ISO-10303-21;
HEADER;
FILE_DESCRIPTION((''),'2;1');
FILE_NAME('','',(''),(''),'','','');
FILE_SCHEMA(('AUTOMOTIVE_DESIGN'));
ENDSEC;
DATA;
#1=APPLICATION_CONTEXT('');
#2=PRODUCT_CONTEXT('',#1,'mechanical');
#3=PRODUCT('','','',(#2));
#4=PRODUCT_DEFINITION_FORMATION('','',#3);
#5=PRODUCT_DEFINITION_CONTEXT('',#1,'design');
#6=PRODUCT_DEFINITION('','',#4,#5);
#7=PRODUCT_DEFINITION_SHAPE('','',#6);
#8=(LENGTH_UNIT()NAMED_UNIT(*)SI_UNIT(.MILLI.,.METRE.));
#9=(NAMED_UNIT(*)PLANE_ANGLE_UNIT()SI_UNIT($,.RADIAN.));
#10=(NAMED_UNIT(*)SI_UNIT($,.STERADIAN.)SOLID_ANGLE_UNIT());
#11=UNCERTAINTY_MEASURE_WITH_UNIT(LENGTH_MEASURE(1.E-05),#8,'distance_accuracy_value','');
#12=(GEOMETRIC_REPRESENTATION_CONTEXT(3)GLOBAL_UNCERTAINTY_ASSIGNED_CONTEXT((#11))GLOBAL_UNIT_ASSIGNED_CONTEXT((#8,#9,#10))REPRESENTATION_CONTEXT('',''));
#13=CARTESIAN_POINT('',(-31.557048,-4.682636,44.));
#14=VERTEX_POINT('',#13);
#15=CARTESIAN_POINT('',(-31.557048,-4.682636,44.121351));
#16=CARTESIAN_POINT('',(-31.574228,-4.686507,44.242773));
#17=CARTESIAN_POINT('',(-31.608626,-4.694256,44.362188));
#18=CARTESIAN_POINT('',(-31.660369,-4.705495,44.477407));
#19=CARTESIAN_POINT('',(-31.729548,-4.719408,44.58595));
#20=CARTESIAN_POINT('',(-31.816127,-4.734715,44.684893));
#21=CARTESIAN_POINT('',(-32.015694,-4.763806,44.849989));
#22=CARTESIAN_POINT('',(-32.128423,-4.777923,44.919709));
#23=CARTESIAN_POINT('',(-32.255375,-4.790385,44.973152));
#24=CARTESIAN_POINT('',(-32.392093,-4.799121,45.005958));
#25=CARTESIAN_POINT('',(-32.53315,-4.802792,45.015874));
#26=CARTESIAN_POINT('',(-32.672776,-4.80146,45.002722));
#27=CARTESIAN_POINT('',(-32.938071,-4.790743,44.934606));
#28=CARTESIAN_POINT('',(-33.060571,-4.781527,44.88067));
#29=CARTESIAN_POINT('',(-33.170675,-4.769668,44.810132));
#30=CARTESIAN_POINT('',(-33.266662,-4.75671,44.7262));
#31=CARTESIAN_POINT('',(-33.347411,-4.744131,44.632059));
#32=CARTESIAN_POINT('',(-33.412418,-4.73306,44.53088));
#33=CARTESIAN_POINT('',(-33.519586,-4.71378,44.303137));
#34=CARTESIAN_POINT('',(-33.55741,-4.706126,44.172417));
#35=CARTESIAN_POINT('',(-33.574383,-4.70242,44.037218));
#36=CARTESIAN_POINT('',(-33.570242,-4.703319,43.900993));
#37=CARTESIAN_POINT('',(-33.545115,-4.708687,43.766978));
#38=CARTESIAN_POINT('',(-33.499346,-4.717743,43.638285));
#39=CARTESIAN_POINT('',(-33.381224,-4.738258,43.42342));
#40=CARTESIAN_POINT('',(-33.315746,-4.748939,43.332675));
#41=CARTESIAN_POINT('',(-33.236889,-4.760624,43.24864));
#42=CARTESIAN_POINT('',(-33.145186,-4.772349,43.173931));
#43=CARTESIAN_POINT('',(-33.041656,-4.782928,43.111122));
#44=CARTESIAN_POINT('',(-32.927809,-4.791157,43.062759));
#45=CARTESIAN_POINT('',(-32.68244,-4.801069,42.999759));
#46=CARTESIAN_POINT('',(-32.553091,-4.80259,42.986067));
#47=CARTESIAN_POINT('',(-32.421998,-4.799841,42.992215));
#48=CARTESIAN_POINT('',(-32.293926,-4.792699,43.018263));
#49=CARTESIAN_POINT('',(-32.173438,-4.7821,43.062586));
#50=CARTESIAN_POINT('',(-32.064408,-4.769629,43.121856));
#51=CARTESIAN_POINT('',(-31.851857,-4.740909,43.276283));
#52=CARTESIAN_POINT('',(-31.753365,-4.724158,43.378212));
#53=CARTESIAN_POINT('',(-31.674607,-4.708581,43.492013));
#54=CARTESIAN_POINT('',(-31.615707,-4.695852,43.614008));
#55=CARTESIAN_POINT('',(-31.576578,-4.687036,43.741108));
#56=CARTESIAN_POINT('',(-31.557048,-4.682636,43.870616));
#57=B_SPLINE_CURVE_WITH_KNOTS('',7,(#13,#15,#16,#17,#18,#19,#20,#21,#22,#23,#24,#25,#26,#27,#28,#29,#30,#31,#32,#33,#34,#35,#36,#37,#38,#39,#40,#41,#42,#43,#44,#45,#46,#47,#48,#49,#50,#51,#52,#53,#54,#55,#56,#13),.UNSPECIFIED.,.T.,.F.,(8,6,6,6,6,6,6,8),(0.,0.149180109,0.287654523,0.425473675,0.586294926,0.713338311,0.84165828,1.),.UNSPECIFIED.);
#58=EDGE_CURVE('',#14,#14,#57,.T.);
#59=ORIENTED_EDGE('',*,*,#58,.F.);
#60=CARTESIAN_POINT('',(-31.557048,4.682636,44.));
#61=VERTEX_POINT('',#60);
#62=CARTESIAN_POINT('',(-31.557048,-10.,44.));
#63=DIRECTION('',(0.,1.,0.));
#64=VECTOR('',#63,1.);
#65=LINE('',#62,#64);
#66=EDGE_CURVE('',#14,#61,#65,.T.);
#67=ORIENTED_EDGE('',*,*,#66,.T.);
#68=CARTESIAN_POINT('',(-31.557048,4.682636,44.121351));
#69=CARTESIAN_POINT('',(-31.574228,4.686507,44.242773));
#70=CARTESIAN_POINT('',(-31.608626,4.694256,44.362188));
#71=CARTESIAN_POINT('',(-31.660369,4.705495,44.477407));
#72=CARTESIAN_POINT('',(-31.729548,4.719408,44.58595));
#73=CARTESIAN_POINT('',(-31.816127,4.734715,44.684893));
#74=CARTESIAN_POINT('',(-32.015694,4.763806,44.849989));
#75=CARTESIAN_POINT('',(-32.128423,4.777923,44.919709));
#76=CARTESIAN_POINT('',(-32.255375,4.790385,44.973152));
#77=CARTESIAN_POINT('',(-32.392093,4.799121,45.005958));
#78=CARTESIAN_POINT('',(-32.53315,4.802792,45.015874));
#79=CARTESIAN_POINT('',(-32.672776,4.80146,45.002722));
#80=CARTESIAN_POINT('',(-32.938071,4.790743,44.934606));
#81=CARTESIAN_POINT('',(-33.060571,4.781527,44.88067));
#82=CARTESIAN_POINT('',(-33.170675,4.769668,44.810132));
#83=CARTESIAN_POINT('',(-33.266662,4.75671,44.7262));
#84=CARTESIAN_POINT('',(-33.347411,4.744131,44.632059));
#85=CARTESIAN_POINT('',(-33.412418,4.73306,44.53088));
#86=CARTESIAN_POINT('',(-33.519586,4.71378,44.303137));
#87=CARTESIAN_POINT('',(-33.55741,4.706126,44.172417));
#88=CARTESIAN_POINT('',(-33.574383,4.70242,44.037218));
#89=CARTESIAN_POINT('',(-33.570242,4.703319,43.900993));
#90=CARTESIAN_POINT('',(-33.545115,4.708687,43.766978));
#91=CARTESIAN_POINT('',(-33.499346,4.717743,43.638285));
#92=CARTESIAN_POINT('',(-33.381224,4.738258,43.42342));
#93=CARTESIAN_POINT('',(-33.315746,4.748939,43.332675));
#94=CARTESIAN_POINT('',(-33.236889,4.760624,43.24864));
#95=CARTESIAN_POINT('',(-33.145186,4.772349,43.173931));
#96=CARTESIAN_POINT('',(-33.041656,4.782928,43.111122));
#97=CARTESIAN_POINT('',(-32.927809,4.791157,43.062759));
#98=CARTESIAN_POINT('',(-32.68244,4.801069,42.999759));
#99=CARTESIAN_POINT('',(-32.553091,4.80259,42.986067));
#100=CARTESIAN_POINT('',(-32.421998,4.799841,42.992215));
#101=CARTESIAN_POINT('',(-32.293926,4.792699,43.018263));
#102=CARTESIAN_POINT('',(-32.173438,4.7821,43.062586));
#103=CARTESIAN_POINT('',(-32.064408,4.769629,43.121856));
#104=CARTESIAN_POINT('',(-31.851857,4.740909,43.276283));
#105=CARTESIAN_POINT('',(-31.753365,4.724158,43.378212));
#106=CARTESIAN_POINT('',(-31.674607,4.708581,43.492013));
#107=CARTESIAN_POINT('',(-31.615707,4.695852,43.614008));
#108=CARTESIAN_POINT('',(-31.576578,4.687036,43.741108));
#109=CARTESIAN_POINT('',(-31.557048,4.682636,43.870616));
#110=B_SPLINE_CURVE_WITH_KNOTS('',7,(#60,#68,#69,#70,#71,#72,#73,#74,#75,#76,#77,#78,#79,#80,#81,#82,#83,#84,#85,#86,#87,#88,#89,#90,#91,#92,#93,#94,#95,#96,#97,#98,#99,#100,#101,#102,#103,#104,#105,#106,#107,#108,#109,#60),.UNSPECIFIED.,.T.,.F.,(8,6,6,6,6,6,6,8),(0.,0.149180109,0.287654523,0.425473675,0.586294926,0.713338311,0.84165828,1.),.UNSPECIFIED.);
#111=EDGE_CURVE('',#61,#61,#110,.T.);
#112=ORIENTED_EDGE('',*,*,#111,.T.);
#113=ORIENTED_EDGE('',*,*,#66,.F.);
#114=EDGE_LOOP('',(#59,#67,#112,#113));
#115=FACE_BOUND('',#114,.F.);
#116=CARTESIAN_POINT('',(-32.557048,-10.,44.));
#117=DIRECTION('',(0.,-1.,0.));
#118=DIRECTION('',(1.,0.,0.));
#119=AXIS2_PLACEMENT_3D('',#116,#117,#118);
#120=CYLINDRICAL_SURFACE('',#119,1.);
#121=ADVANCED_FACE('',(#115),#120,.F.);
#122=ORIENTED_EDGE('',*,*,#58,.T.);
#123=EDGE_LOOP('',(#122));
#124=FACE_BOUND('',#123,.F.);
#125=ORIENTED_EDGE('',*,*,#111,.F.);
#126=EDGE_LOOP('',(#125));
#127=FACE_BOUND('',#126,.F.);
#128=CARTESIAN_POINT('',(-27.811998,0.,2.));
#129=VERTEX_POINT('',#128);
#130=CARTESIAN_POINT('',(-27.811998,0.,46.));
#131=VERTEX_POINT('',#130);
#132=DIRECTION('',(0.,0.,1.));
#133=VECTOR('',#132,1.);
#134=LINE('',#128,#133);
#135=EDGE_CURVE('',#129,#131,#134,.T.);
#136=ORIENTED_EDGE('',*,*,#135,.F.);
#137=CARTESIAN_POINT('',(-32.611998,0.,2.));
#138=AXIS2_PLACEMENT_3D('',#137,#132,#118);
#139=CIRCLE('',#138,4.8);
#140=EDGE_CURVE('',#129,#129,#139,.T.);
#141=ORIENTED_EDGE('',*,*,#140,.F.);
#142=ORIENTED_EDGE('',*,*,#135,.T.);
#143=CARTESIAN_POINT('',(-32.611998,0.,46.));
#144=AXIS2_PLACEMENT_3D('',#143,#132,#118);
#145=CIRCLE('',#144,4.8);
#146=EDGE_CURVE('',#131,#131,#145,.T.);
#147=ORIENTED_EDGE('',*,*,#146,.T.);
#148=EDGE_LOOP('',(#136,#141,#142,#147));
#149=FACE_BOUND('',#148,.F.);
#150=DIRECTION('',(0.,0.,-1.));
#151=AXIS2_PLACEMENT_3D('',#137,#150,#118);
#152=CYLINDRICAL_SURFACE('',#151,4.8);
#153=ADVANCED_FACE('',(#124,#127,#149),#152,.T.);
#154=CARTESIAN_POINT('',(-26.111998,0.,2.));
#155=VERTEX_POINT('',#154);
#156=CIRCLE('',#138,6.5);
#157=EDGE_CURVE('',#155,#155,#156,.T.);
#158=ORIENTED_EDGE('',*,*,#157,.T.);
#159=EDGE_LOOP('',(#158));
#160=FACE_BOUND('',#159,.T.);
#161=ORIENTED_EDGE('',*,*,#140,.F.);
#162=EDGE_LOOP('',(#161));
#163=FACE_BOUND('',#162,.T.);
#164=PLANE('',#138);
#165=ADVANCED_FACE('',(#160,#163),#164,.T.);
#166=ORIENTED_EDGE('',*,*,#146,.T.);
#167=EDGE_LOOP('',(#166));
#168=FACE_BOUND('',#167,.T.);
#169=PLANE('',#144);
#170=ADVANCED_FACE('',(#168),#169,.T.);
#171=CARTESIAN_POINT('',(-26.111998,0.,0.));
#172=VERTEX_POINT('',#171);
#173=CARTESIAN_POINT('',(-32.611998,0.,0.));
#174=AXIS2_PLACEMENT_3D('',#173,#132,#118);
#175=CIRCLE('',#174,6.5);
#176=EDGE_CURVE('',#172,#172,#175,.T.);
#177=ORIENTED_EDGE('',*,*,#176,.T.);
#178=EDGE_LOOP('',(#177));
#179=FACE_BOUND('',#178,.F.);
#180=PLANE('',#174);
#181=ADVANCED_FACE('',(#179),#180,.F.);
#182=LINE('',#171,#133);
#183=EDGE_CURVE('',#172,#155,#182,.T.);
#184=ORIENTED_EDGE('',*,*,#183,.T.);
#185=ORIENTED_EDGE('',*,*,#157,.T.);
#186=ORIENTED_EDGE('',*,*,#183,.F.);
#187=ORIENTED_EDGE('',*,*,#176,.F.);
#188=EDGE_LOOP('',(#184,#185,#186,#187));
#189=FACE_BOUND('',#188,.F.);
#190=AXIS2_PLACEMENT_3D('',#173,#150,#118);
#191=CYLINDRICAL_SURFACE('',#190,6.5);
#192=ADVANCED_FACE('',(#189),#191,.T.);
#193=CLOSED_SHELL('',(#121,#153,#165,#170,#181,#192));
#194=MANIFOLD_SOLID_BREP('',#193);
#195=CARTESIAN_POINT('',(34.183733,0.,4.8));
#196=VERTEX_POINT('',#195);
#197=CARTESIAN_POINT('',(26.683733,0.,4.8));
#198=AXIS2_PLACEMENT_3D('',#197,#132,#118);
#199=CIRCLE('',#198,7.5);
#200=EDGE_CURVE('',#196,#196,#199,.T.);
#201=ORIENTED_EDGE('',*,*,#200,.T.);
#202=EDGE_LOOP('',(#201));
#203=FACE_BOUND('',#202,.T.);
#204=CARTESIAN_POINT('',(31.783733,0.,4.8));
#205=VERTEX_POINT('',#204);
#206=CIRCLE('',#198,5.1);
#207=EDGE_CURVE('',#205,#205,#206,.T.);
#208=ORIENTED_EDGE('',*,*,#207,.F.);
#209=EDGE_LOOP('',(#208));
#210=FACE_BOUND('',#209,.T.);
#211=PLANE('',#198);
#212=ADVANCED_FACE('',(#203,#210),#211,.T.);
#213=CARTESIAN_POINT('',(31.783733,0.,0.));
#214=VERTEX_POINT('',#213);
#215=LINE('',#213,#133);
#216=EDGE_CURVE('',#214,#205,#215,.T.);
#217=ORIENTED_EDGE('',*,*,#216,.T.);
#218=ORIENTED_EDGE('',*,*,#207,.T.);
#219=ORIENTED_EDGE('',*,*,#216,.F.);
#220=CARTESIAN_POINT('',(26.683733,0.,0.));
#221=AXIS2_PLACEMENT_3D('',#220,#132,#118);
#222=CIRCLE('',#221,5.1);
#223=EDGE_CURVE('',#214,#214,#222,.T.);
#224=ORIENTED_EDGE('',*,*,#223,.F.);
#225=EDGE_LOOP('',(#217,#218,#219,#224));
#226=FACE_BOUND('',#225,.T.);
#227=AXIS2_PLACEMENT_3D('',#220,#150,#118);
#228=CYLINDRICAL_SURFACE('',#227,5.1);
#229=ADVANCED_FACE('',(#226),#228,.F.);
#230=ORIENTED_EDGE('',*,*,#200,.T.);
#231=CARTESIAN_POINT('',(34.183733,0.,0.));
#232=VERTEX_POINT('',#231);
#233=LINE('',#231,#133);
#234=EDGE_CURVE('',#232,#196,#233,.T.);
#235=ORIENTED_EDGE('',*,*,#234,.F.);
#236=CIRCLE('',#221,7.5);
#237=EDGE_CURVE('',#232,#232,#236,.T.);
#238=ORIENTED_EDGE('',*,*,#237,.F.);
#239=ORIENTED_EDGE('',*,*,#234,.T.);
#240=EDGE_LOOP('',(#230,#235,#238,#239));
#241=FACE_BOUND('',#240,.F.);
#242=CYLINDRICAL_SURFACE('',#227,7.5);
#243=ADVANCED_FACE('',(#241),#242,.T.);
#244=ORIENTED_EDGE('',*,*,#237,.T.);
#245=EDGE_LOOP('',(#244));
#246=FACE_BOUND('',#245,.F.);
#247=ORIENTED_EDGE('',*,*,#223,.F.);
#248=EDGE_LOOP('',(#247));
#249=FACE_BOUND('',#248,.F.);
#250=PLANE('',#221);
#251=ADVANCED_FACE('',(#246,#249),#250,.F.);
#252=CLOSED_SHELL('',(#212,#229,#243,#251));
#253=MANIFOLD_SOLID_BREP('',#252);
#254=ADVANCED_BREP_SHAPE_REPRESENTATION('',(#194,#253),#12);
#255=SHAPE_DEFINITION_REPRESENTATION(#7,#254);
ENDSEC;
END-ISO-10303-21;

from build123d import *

# Parameters (mm, degrees)
F0_R     = 7.5
F0_R_2   = 5.1
F1_DEPTH = 4.8
F2_R     = 6.5
F3_DEPTH = 2
F4_R     = 4.8
F5_DEPTH = 44
F7_R     = 1
F8_DEPTH = 63


with BuildPart() as f1:
    # F0 (on Top) → F1 (new body)
    with BuildSketch(Plane.XY):
        with Locations((26.683733, 0)):
            Circle(F0_R)
        with Locations((26.683733, 0)):
            Circle(F0_R_2, mode=Mode.SUBTRACT)
    extrude(amount=F1_DEPTH)


with BuildPart() as f3:
    # F2 (on Top) → F3 (new body)
    with BuildSketch(Plane.XY):
        with Locations((-32.611998, 0)):
            Circle(F2_R)
    extrude(amount=F3_DEPTH)

    # F4 (on face) → F5 (join)
    with BuildSketch(Plane.XY.offset(2)):
        with Locations((-32.611998, 0)):
            Circle(F4_R)
    extrude(amount=F5_DEPTH)

    # F7 (on offset) → F8 (cut)
    with BuildSketch(Plane.XZ.offset(10)):
        with Locations((-32.557048, 44)):
            Circle(F7_R)
    extrude(amount=-F8_DEPTH, mode=Mode.SUBTRACT)


solid = Compound([f1.part, f3.part])
